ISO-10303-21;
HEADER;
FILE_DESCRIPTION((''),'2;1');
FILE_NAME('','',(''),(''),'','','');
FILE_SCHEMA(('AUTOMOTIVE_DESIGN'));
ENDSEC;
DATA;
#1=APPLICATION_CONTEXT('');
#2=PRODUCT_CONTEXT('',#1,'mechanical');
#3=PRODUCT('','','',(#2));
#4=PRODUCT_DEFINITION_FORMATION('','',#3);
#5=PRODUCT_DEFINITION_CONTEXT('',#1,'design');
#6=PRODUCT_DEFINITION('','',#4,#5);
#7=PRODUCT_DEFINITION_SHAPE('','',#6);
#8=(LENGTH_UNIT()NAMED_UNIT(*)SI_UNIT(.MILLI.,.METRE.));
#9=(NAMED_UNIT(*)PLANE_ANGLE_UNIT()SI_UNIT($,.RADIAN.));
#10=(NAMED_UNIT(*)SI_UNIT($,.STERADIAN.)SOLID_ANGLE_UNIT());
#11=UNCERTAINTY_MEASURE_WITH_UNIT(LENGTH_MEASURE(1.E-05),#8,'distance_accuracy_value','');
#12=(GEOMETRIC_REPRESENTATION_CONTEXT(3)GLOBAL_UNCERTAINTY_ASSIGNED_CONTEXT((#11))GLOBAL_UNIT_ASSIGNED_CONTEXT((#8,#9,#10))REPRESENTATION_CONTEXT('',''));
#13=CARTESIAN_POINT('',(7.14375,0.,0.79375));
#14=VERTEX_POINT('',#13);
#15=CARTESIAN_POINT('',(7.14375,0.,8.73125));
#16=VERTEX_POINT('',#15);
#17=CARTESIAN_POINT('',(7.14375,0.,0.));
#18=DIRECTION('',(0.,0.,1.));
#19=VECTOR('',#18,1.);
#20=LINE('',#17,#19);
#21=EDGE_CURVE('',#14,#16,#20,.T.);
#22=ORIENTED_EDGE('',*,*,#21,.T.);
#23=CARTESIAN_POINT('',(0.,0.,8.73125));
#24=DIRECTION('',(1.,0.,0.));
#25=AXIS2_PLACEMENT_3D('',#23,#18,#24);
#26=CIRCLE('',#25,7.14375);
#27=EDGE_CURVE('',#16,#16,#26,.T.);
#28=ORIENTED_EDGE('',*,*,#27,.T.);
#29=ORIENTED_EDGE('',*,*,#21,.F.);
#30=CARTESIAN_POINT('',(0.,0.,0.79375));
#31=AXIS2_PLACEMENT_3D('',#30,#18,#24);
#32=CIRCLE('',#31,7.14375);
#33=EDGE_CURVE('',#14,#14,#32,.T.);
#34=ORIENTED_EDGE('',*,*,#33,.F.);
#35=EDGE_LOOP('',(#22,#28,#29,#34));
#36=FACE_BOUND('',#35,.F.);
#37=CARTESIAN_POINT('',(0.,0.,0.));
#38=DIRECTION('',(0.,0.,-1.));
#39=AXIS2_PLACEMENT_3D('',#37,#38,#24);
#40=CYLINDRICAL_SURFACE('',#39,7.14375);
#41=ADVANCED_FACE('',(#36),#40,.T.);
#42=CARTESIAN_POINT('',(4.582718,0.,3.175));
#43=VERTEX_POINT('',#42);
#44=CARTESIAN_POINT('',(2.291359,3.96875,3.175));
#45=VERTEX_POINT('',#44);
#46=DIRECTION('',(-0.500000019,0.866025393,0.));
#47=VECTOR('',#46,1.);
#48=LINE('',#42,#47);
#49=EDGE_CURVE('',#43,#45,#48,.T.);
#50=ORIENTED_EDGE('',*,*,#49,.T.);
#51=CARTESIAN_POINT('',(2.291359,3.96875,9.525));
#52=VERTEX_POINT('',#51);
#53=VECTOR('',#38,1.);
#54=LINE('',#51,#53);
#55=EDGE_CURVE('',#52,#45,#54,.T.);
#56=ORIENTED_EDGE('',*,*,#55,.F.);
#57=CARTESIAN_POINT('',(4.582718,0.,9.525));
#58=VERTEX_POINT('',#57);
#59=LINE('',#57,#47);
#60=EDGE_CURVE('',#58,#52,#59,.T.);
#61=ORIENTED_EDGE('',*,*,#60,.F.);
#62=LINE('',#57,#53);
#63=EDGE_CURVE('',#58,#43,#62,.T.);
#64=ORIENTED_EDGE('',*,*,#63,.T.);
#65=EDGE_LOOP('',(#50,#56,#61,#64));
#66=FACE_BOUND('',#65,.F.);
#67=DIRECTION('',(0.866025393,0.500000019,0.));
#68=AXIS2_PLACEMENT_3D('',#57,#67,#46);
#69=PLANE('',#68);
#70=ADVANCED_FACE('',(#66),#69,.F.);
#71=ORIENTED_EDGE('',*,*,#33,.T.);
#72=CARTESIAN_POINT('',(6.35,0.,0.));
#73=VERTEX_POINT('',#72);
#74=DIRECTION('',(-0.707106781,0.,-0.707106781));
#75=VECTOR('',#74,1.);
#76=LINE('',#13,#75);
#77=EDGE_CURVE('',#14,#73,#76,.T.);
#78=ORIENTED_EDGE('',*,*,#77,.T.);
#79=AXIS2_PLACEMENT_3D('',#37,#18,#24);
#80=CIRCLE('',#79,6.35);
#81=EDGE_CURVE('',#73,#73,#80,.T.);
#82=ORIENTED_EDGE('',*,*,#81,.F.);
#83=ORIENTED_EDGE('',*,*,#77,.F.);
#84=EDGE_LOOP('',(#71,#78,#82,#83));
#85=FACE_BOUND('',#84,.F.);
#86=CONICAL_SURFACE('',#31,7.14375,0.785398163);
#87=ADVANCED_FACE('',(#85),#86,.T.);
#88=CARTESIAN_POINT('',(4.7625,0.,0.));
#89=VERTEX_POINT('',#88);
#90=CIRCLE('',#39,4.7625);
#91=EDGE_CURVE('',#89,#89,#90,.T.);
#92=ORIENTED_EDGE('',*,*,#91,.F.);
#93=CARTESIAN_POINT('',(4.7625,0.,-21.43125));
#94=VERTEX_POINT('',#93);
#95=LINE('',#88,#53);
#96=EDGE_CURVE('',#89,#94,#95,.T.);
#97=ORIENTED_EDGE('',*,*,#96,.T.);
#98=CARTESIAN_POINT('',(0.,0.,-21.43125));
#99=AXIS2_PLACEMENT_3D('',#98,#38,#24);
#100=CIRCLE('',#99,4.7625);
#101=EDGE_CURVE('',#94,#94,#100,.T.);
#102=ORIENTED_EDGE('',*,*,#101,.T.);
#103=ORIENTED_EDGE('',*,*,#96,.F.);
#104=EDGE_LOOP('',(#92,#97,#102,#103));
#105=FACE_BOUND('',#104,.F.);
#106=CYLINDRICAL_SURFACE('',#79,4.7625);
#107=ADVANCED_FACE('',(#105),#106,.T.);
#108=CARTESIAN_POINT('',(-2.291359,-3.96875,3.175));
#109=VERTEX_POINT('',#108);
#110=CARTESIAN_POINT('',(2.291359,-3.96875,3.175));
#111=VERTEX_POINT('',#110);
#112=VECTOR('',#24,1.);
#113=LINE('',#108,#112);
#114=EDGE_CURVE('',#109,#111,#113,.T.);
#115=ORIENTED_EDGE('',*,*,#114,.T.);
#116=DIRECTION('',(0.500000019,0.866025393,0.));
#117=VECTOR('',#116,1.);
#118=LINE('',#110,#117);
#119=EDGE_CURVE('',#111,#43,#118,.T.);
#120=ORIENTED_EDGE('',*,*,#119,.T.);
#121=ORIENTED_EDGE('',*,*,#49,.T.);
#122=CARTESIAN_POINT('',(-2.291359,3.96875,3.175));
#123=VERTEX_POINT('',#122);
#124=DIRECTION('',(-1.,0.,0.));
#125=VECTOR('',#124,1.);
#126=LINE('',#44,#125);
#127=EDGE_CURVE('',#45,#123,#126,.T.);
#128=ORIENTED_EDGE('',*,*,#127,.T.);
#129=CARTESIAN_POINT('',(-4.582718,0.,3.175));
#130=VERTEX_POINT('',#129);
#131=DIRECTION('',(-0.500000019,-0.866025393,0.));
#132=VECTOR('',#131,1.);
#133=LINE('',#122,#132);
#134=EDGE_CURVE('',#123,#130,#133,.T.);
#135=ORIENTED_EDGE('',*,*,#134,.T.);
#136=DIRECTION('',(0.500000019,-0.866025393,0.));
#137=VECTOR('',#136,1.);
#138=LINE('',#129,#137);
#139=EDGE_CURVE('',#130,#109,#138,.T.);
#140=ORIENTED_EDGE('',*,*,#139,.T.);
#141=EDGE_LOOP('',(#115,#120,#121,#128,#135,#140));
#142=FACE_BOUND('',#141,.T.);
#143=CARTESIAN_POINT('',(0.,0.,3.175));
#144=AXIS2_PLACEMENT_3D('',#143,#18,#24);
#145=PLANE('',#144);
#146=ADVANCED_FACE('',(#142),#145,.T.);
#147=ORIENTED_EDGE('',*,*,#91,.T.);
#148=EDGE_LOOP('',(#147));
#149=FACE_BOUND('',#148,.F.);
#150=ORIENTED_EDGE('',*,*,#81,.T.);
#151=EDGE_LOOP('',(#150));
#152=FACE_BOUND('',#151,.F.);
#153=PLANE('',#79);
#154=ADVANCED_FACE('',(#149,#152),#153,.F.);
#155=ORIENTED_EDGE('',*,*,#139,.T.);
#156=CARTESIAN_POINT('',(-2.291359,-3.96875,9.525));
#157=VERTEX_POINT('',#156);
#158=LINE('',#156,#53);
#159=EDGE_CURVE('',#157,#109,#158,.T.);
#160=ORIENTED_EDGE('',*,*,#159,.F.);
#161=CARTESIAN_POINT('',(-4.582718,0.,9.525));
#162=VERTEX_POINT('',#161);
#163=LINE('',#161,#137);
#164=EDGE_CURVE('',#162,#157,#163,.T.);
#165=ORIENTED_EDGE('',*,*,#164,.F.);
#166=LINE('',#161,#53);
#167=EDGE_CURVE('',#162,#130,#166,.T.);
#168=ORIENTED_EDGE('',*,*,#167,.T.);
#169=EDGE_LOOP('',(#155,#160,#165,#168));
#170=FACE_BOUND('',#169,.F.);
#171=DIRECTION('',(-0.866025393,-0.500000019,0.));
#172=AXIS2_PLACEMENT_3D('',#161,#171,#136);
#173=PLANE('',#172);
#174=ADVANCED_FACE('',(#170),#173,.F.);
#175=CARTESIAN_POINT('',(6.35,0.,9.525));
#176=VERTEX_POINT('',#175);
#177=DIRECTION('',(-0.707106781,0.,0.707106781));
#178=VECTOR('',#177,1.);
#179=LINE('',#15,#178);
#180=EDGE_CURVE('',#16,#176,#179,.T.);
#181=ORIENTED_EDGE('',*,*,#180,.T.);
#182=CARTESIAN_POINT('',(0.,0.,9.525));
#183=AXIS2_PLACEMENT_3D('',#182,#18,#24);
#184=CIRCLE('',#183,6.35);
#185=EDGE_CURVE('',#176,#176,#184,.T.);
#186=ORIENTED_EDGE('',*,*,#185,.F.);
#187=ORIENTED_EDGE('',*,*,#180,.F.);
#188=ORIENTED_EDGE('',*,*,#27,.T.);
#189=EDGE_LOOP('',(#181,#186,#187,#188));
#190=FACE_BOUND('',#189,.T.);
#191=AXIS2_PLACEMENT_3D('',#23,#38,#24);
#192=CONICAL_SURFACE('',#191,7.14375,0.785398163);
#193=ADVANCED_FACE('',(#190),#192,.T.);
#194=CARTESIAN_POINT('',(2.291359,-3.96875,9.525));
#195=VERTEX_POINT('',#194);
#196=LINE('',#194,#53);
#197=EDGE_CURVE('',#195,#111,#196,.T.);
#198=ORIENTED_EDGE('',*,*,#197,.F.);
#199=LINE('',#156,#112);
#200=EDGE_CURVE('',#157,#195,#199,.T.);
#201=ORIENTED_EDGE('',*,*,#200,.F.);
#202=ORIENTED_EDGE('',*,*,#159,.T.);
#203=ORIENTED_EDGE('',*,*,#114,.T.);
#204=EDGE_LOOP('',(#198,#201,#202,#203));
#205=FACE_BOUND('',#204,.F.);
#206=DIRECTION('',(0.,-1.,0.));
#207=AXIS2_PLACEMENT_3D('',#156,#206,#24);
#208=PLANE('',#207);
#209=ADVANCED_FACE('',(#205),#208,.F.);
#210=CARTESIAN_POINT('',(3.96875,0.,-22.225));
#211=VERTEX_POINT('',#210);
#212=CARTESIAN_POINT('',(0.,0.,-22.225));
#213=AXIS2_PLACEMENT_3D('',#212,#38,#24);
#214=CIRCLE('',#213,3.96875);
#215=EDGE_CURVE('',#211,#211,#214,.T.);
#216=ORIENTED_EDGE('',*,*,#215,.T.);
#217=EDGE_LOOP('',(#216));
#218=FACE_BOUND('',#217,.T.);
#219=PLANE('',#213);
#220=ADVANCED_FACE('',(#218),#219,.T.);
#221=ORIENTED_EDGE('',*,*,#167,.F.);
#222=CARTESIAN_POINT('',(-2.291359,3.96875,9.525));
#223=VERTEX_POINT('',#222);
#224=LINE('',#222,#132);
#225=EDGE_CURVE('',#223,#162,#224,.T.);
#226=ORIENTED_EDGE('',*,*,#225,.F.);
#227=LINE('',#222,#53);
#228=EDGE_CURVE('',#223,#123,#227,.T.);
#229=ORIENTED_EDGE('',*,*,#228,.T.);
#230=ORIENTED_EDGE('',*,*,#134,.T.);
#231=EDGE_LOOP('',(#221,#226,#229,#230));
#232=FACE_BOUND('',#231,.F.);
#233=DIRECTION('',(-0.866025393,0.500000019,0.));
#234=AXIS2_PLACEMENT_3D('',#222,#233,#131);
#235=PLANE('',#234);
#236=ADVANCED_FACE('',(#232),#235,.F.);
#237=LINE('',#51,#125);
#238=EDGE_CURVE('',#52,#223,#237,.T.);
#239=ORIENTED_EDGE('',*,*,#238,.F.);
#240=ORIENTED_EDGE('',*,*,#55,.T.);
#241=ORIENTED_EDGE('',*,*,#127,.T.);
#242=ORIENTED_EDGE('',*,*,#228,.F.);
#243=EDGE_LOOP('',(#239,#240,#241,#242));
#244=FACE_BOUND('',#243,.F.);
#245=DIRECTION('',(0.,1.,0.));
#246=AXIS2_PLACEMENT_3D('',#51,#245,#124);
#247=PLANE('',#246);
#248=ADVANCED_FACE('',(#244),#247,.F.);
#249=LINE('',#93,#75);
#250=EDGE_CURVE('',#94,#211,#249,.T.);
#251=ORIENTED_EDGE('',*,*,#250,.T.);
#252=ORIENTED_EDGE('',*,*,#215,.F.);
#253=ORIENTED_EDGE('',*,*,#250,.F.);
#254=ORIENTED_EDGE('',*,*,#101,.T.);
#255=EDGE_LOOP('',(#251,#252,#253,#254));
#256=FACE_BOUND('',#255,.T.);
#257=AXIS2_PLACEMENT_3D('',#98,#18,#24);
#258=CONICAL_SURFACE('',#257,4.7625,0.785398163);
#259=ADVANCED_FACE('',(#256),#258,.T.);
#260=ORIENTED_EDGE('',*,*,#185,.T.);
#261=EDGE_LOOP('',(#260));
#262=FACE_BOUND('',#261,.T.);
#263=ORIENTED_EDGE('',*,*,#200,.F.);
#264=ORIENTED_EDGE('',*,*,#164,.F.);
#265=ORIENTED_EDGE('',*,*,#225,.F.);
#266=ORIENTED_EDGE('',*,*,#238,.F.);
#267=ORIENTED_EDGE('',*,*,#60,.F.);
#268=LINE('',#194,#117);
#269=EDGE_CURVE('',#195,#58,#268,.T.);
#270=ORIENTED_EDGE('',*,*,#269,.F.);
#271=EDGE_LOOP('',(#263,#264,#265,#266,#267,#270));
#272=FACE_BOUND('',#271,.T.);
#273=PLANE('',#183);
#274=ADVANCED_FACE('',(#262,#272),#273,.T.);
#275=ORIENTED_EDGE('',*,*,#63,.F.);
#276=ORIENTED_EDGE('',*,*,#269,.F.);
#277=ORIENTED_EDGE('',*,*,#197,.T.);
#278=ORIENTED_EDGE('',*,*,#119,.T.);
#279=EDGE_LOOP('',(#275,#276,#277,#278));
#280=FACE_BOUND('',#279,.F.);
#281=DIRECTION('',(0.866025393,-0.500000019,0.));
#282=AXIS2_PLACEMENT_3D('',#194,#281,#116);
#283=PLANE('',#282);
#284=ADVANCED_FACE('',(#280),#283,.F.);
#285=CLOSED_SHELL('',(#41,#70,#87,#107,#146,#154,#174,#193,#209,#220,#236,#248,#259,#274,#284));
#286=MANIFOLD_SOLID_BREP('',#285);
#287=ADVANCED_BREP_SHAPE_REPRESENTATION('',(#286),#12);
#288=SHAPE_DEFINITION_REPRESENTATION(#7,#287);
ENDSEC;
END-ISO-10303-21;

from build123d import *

# Parameters (mm, degrees)
F0_R     = 7.14375
F1_DEPTH = 9.525
F3_DEPTH = 6.35
F4_R     = 4.7625
F5_DEPTH = 22.225
F6_SIZE  = 0.79375
F7_SIZE  = 0.79375
F8_SIZE  = 0.79375


with BuildPart() as f1:
    # F0 (on Top) → F1 (new body)
    with BuildSketch(Plane.XY):
        Circle(F0_R)
    extrude(amount=F1_DEPTH)

    # F2 (on face) → F3 (cut)
    with BuildSketch(Plane.XY.offset(9.525)):
        Polygon((2.291359, 3.96875), (-2.291359, 3.96875), (-4.582718, 0), (-2.291359, -3.96875), (2.291359, -3.96875), (4.582718, 0), align=None)
    extrude(amount=-F3_DEPTH, mode=Mode.SUBTRACT)

    # F4 (on face) → F5 (join)
    with BuildSketch(Plane(origin=(0, 0, 0), x_dir=(1, 0, 0), z_dir=(0, 0, -1))):
        Circle(F4_R)
    extrude(amount=F5_DEPTH)

    # F6
    f6_edges = [f1.edges().sort_by_distance(p)[0] for p in [
        (-7.14375, 0, 9.525),
    ]]
    chamfer(f6_edges, length=F6_SIZE)

    # F7
    f7_edges = [f1.edges().sort_by_distance(p)[0] for p in [
        (-7.14375, 0, 0),
    ]]
    chamfer(f7_edges, length=F7_SIZE)

    # F8
    f8_edges = [f1.edges().sort_by_distance(p)[0] for p in [
        (-4.7625, 0, -22.225),
    ]]
    chamfer(f8_edges, length=F8_SIZE)


solid = f1.part
